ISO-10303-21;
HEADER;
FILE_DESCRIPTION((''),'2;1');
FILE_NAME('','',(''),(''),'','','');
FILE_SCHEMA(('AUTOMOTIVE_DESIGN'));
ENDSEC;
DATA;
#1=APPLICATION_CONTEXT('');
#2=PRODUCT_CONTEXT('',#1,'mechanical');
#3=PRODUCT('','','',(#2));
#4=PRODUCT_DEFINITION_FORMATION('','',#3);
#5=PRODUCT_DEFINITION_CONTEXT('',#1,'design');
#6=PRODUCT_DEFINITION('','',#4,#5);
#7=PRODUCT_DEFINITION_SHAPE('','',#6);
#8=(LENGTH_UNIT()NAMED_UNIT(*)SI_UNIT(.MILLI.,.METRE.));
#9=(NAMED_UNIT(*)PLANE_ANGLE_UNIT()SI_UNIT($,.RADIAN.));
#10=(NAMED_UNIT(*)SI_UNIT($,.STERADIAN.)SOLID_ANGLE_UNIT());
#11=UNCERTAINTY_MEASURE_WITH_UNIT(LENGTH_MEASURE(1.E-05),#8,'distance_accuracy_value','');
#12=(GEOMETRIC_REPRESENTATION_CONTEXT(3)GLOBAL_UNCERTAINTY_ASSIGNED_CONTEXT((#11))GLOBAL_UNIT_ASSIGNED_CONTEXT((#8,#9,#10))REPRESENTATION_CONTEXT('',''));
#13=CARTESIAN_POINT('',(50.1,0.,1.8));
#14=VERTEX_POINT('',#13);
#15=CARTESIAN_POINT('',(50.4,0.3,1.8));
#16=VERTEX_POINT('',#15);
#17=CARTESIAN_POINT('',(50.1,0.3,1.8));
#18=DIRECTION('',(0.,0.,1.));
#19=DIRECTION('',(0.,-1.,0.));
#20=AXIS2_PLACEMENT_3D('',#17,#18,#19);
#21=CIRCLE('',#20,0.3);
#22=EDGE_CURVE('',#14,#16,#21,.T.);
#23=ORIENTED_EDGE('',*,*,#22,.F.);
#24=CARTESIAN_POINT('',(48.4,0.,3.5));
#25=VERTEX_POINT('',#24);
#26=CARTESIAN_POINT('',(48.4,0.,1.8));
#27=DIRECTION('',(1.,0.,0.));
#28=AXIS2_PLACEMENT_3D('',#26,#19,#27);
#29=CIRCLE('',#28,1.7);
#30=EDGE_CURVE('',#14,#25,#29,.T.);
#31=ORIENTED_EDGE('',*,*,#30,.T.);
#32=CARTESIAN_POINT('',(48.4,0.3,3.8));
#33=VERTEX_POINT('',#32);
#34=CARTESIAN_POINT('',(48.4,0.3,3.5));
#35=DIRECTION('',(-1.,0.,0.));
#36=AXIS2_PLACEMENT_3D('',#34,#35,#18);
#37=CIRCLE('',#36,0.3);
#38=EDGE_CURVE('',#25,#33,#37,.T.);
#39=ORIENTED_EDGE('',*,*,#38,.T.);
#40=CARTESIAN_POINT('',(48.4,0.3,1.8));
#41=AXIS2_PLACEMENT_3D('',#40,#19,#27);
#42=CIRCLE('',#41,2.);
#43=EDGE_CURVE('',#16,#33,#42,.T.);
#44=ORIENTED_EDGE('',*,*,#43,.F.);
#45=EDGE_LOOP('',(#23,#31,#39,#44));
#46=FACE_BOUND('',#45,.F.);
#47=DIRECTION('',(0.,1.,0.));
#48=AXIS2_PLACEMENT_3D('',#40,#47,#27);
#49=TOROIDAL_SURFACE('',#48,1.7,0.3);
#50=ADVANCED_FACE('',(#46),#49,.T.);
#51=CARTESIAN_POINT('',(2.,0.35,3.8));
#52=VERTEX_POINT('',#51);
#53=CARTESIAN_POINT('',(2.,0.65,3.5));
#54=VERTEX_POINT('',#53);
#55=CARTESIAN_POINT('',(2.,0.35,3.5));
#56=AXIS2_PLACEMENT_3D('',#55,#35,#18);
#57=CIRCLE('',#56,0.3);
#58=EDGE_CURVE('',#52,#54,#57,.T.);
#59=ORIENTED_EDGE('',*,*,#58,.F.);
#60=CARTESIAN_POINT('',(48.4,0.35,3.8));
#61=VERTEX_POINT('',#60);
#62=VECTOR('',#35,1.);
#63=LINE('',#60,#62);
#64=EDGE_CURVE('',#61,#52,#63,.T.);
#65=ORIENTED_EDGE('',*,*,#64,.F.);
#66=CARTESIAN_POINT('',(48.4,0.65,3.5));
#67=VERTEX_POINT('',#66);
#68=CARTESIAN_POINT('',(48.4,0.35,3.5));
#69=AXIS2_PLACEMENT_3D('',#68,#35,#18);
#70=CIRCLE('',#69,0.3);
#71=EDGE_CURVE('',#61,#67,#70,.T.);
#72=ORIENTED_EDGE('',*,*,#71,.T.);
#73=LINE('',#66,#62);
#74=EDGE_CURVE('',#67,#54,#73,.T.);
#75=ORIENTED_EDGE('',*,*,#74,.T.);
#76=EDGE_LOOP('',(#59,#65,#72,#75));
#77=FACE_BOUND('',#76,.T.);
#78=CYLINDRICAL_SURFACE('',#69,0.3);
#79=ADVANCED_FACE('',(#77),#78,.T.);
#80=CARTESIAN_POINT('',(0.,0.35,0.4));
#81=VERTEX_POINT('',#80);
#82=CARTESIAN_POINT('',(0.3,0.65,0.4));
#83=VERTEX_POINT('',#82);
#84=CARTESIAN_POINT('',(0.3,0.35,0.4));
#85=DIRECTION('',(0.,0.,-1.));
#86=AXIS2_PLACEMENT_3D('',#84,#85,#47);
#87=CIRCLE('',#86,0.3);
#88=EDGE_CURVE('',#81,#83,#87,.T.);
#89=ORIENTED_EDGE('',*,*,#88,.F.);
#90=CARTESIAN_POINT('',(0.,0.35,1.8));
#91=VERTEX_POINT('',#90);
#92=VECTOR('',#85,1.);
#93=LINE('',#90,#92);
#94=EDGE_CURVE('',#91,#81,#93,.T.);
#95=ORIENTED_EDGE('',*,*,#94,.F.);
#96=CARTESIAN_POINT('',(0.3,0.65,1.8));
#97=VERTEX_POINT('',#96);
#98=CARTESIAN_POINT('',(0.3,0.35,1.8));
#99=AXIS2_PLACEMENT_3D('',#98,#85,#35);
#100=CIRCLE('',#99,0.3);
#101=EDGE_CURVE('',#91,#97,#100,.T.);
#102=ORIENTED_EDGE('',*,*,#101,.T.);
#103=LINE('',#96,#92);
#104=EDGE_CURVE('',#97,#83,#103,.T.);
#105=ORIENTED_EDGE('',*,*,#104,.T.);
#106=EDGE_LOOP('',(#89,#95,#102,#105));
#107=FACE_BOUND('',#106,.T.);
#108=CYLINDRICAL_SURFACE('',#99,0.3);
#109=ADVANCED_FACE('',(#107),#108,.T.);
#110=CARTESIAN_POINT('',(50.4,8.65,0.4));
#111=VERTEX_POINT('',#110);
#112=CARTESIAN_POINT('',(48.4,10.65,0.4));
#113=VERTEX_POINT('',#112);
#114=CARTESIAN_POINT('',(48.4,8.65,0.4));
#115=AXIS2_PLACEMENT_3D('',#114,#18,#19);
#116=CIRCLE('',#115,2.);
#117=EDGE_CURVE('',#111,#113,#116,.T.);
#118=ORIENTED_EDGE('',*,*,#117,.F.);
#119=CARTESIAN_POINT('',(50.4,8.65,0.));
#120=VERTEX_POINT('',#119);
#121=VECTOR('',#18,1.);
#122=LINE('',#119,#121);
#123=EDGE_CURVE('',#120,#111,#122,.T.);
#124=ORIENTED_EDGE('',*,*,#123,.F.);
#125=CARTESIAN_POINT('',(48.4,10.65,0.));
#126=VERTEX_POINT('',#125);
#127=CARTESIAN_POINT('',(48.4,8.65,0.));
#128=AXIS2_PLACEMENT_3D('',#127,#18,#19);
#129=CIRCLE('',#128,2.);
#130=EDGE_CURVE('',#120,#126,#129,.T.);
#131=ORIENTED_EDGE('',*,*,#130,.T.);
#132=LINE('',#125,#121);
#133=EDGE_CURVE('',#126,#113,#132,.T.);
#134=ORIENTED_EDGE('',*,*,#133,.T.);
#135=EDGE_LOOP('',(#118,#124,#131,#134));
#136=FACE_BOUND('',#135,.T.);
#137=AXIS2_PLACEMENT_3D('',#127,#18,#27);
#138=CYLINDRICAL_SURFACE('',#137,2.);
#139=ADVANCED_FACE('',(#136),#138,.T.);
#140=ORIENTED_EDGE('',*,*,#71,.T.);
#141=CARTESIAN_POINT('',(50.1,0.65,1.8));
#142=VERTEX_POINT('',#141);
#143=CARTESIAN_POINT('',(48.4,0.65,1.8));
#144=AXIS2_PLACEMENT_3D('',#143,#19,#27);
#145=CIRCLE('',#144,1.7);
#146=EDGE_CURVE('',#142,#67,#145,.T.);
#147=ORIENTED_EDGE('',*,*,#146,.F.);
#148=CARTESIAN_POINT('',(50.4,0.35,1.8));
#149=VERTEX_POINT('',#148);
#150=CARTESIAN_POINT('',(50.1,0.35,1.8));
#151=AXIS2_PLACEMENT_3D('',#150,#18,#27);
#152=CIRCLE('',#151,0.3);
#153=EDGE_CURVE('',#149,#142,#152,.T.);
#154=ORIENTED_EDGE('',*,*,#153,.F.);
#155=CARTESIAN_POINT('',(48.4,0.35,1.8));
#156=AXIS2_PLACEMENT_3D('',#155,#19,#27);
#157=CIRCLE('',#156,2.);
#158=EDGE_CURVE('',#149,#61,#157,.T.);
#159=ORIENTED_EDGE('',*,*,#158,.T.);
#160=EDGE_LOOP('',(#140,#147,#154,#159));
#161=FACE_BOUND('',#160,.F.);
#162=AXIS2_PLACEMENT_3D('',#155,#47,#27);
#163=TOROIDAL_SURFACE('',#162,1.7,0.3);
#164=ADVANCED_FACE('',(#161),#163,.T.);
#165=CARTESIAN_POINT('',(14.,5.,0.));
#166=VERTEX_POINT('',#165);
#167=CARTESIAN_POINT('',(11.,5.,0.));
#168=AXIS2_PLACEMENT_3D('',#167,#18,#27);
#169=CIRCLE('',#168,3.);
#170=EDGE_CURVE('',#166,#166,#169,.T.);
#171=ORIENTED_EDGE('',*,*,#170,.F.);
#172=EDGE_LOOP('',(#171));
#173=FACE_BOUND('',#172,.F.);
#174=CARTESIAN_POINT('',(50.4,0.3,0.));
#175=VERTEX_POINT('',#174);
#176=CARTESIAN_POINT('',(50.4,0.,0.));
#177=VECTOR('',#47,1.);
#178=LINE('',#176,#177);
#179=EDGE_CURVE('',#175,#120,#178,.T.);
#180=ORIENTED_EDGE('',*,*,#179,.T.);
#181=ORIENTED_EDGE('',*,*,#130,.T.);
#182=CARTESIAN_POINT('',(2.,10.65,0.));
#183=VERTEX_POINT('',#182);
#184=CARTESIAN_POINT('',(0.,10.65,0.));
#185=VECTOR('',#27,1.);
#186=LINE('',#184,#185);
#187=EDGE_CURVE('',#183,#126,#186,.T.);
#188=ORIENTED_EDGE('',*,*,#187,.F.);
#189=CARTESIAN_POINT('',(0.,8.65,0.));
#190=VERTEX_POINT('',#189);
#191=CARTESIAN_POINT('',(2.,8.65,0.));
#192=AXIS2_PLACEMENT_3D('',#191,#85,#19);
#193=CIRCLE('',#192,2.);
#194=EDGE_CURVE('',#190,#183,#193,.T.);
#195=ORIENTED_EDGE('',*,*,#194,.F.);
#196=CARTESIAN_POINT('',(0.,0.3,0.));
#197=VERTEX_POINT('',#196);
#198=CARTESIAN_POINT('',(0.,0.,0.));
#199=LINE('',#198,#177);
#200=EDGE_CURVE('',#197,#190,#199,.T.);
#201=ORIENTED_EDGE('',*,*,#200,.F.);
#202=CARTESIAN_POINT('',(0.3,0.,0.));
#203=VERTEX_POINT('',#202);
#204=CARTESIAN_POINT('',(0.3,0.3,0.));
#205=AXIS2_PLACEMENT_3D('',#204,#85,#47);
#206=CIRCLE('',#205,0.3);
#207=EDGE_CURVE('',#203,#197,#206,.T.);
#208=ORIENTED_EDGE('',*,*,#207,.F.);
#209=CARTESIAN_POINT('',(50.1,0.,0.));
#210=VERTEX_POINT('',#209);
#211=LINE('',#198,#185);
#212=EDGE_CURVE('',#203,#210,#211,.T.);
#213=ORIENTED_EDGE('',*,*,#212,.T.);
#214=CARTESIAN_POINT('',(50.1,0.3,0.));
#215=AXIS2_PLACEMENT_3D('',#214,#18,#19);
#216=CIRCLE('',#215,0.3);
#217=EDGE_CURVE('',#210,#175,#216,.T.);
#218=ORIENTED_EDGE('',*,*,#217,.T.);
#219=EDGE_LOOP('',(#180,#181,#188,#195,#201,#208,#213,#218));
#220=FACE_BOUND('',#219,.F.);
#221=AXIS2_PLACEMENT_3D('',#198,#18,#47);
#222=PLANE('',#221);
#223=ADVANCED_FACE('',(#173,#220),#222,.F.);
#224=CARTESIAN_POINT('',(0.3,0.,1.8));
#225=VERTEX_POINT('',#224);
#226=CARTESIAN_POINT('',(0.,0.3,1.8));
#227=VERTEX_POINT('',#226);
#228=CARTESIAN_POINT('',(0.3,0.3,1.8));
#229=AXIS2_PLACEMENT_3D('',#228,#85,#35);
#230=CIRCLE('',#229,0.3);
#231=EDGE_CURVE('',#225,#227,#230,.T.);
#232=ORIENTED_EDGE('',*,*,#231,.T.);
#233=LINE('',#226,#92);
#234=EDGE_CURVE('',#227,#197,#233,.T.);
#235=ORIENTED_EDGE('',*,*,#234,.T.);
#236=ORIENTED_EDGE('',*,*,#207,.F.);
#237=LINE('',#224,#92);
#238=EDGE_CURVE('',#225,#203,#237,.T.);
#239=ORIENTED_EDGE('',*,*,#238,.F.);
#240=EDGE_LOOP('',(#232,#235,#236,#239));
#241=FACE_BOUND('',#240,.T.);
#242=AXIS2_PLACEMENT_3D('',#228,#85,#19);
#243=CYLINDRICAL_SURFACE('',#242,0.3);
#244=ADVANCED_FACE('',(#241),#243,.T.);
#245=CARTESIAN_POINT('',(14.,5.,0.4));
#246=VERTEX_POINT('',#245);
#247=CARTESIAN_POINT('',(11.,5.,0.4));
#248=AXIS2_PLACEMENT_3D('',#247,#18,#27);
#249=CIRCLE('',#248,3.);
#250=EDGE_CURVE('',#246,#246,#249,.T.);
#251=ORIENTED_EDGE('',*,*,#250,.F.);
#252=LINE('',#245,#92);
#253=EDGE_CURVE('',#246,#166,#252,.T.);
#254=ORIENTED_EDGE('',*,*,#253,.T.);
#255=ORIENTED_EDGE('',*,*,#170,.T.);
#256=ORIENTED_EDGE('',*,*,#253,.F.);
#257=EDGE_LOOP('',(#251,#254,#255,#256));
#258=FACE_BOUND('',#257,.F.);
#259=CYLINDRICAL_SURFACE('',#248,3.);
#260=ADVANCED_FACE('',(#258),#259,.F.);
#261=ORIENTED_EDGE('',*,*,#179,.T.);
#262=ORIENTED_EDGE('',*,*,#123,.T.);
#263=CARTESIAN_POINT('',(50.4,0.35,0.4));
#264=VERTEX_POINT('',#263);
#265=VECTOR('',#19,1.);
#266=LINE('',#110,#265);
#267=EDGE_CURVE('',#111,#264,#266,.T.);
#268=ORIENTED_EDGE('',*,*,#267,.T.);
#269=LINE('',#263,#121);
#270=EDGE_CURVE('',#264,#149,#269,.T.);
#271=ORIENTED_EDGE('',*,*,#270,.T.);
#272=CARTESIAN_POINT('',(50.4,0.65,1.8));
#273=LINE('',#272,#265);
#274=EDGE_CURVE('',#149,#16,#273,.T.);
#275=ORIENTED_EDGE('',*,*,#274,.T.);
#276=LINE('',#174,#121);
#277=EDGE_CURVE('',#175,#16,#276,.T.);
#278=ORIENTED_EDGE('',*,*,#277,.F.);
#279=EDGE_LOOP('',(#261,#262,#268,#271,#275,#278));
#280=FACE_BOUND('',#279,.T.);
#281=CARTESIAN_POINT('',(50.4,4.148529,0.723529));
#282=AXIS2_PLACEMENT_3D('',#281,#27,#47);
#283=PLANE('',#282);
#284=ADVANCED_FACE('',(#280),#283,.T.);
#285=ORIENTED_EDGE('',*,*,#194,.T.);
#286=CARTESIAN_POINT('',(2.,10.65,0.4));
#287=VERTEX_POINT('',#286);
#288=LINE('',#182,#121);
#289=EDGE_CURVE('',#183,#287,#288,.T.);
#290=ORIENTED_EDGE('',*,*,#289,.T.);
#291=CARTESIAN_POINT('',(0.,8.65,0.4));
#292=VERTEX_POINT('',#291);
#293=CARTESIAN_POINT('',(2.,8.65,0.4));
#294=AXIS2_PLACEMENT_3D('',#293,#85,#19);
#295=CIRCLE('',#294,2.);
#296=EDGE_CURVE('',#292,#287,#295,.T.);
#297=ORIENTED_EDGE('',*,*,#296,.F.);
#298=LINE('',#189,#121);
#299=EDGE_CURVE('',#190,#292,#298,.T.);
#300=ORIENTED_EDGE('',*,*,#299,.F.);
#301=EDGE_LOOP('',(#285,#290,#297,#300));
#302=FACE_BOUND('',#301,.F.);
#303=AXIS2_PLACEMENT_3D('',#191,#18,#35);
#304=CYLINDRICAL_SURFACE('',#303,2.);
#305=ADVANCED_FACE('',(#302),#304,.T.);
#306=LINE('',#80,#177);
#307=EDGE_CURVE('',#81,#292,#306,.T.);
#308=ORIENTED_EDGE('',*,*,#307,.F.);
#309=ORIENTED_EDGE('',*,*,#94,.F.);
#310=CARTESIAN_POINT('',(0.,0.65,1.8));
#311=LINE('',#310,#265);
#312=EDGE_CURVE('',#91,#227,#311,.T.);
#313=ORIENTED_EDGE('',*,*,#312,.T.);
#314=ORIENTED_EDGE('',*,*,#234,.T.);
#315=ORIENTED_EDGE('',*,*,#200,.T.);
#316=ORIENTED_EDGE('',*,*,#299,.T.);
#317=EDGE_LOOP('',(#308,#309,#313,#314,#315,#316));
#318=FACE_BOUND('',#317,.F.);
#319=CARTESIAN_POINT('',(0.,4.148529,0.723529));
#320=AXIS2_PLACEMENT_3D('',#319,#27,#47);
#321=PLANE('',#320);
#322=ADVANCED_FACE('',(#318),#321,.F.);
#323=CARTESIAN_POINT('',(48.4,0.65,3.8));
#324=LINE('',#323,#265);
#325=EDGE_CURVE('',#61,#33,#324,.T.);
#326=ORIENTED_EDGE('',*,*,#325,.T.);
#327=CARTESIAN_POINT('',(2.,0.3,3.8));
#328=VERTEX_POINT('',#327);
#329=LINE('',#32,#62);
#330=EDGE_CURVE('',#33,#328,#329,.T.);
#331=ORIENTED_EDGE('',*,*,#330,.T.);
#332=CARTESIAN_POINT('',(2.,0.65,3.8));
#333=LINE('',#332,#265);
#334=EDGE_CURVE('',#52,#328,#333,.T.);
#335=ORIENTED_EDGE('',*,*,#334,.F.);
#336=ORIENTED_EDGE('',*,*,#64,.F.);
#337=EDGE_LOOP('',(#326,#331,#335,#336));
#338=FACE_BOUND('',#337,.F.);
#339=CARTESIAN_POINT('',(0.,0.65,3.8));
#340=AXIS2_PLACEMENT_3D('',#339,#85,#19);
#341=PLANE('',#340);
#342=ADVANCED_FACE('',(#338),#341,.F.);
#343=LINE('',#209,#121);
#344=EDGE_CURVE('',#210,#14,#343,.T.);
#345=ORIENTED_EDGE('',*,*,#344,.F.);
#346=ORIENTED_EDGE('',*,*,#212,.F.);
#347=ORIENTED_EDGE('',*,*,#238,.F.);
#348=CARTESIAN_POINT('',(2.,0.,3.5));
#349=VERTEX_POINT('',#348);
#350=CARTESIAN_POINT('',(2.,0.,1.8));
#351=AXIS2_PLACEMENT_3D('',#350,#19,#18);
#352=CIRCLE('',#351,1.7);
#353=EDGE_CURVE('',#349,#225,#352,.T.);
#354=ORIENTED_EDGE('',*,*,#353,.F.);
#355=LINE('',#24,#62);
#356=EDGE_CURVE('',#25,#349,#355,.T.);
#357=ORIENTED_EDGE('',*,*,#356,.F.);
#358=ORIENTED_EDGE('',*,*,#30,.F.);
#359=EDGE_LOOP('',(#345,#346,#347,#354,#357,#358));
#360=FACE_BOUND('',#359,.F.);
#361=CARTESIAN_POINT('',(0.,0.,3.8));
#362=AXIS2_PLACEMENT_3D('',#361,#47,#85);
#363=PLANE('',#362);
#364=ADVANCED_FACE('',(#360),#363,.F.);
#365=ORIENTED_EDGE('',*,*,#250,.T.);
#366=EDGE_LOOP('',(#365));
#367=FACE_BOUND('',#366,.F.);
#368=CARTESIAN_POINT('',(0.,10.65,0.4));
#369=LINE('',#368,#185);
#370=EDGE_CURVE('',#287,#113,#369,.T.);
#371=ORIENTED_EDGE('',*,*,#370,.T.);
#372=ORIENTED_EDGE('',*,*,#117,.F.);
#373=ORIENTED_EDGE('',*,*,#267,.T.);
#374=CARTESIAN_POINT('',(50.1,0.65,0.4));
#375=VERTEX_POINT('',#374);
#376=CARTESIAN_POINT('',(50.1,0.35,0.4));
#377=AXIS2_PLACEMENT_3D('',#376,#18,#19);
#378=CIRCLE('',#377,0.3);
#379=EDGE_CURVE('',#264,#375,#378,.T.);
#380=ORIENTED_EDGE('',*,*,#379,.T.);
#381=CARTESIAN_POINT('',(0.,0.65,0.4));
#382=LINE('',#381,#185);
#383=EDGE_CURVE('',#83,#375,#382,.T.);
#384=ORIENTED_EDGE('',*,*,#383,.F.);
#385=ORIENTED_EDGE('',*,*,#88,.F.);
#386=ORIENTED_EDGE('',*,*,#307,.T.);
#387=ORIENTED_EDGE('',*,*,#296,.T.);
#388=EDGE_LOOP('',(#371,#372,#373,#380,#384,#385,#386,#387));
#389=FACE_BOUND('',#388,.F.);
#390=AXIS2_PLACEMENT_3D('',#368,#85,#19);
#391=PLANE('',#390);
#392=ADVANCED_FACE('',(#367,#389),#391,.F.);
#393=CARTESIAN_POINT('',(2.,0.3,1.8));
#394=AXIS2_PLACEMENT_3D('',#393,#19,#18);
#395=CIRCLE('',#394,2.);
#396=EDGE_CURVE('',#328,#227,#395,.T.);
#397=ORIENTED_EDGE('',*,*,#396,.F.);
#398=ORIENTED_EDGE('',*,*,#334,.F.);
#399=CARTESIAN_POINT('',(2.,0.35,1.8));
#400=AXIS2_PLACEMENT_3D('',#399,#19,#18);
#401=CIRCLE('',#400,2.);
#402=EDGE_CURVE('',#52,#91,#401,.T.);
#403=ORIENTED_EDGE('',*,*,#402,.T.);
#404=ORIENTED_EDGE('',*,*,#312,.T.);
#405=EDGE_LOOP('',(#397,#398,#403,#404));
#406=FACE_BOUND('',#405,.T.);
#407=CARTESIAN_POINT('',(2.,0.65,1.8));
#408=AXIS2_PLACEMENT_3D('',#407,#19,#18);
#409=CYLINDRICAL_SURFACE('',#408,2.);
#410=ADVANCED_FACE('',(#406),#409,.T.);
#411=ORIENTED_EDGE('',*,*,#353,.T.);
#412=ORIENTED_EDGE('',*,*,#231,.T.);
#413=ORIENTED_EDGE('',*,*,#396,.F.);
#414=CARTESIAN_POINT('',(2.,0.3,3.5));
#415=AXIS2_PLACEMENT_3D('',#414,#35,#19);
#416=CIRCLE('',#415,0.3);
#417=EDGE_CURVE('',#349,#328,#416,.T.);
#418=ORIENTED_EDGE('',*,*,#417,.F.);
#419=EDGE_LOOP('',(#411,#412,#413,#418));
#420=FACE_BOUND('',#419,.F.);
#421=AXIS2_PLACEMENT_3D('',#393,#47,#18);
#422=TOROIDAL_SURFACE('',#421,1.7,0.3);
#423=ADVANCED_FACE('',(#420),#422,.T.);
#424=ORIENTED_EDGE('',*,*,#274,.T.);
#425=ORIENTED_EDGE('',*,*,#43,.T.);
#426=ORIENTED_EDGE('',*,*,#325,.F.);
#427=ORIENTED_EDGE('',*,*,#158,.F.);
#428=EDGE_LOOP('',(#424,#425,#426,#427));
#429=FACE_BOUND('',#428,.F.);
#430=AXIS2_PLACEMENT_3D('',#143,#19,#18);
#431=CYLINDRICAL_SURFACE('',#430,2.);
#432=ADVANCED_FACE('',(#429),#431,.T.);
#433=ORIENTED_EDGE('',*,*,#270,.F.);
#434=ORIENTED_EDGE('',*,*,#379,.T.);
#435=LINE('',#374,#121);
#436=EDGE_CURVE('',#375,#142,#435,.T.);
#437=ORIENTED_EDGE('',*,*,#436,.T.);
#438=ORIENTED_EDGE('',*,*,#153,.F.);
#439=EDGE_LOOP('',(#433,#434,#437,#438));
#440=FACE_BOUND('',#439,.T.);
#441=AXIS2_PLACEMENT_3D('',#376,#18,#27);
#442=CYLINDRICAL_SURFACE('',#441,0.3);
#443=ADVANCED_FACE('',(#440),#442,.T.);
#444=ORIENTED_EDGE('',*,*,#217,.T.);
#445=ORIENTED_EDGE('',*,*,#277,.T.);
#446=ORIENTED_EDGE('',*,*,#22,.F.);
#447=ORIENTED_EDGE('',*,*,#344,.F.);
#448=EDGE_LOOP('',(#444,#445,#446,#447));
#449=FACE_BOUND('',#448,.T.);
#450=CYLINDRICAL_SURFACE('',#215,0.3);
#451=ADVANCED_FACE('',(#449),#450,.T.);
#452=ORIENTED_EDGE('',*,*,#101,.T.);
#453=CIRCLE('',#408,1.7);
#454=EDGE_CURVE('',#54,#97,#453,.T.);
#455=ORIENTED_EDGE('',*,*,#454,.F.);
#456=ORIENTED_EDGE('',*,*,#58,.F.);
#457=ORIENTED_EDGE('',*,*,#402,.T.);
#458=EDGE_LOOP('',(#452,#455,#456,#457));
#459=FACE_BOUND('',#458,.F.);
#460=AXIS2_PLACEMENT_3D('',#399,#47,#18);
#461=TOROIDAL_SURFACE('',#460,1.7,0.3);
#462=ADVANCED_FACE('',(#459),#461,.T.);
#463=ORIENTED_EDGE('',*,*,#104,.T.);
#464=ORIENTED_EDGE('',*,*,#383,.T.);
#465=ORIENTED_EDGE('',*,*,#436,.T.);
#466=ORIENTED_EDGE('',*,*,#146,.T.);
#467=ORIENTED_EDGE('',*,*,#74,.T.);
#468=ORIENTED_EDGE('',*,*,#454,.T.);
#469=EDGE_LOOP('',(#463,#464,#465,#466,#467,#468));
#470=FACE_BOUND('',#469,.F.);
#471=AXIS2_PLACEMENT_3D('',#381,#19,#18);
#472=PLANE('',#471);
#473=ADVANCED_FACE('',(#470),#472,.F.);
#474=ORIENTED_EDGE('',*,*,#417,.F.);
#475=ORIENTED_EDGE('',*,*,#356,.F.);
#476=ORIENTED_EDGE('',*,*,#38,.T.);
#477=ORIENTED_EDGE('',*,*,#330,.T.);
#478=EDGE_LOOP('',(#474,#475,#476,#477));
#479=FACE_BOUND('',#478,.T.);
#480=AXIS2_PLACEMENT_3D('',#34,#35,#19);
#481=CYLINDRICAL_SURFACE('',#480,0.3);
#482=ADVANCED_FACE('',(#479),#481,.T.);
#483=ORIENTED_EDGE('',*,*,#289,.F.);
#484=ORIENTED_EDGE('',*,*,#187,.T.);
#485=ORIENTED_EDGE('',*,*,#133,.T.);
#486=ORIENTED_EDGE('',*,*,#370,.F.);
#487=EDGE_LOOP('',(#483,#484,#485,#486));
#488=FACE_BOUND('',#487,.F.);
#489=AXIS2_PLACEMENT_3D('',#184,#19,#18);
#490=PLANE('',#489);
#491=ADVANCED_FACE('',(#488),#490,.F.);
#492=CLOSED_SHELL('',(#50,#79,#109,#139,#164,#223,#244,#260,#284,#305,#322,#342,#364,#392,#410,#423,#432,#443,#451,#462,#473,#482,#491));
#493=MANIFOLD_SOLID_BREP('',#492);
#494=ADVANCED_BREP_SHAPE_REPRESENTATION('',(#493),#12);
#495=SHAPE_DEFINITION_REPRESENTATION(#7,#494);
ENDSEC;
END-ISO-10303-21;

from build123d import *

# Parameters (mm, degrees)
F1_DEPTH = 50.4
F2_R     = 3
F3_DEPTH = 0.401
F4_R     = 2
F5_R     = 0.3


with BuildPart() as f1:
    # F0 (on Right) → F1 (new body)
    with BuildSketch(Plane.YZ):
        Polygon((0, 3.8), (0, 0), (10.65, 0), (10.65, 0.4), (0.65, 0.4), (0.65, 3.8), align=None)
    extrude(amount=F1_DEPTH)

    # F2 (on face) → F3 (cut, through all)
    with BuildSketch(Plane.XY.offset(0.4)):
        with Locations((11, 5)):
            Circle(F2_R)
    extrude(amount=-F3_DEPTH, mode=Mode.SUBTRACT)

    # F4
    f4_edges = [f1.edges().sort_by_distance(p)[0] for p in [
        (0, 10.65, 0.2),
        (50.4, 10.65, 0.2),
        (50.4, 0.325, 3.8),
        (0, 0.325, 3.8),
    ]]
    fillet(f4_edges, radius=F4_R)

    # F5
    f5_edges = [f1.edges().sort_by_distance(p)[0] for p in [
        (0.585786, 0, 3.214214),
        (49.814214, 0, 3.214214),
        (50.4, 0.65, 1.1),
        (0, 0.65, 1.1),
    ]]
    fillet(f5_edges, radius=F5_R)


solid = f1.part
